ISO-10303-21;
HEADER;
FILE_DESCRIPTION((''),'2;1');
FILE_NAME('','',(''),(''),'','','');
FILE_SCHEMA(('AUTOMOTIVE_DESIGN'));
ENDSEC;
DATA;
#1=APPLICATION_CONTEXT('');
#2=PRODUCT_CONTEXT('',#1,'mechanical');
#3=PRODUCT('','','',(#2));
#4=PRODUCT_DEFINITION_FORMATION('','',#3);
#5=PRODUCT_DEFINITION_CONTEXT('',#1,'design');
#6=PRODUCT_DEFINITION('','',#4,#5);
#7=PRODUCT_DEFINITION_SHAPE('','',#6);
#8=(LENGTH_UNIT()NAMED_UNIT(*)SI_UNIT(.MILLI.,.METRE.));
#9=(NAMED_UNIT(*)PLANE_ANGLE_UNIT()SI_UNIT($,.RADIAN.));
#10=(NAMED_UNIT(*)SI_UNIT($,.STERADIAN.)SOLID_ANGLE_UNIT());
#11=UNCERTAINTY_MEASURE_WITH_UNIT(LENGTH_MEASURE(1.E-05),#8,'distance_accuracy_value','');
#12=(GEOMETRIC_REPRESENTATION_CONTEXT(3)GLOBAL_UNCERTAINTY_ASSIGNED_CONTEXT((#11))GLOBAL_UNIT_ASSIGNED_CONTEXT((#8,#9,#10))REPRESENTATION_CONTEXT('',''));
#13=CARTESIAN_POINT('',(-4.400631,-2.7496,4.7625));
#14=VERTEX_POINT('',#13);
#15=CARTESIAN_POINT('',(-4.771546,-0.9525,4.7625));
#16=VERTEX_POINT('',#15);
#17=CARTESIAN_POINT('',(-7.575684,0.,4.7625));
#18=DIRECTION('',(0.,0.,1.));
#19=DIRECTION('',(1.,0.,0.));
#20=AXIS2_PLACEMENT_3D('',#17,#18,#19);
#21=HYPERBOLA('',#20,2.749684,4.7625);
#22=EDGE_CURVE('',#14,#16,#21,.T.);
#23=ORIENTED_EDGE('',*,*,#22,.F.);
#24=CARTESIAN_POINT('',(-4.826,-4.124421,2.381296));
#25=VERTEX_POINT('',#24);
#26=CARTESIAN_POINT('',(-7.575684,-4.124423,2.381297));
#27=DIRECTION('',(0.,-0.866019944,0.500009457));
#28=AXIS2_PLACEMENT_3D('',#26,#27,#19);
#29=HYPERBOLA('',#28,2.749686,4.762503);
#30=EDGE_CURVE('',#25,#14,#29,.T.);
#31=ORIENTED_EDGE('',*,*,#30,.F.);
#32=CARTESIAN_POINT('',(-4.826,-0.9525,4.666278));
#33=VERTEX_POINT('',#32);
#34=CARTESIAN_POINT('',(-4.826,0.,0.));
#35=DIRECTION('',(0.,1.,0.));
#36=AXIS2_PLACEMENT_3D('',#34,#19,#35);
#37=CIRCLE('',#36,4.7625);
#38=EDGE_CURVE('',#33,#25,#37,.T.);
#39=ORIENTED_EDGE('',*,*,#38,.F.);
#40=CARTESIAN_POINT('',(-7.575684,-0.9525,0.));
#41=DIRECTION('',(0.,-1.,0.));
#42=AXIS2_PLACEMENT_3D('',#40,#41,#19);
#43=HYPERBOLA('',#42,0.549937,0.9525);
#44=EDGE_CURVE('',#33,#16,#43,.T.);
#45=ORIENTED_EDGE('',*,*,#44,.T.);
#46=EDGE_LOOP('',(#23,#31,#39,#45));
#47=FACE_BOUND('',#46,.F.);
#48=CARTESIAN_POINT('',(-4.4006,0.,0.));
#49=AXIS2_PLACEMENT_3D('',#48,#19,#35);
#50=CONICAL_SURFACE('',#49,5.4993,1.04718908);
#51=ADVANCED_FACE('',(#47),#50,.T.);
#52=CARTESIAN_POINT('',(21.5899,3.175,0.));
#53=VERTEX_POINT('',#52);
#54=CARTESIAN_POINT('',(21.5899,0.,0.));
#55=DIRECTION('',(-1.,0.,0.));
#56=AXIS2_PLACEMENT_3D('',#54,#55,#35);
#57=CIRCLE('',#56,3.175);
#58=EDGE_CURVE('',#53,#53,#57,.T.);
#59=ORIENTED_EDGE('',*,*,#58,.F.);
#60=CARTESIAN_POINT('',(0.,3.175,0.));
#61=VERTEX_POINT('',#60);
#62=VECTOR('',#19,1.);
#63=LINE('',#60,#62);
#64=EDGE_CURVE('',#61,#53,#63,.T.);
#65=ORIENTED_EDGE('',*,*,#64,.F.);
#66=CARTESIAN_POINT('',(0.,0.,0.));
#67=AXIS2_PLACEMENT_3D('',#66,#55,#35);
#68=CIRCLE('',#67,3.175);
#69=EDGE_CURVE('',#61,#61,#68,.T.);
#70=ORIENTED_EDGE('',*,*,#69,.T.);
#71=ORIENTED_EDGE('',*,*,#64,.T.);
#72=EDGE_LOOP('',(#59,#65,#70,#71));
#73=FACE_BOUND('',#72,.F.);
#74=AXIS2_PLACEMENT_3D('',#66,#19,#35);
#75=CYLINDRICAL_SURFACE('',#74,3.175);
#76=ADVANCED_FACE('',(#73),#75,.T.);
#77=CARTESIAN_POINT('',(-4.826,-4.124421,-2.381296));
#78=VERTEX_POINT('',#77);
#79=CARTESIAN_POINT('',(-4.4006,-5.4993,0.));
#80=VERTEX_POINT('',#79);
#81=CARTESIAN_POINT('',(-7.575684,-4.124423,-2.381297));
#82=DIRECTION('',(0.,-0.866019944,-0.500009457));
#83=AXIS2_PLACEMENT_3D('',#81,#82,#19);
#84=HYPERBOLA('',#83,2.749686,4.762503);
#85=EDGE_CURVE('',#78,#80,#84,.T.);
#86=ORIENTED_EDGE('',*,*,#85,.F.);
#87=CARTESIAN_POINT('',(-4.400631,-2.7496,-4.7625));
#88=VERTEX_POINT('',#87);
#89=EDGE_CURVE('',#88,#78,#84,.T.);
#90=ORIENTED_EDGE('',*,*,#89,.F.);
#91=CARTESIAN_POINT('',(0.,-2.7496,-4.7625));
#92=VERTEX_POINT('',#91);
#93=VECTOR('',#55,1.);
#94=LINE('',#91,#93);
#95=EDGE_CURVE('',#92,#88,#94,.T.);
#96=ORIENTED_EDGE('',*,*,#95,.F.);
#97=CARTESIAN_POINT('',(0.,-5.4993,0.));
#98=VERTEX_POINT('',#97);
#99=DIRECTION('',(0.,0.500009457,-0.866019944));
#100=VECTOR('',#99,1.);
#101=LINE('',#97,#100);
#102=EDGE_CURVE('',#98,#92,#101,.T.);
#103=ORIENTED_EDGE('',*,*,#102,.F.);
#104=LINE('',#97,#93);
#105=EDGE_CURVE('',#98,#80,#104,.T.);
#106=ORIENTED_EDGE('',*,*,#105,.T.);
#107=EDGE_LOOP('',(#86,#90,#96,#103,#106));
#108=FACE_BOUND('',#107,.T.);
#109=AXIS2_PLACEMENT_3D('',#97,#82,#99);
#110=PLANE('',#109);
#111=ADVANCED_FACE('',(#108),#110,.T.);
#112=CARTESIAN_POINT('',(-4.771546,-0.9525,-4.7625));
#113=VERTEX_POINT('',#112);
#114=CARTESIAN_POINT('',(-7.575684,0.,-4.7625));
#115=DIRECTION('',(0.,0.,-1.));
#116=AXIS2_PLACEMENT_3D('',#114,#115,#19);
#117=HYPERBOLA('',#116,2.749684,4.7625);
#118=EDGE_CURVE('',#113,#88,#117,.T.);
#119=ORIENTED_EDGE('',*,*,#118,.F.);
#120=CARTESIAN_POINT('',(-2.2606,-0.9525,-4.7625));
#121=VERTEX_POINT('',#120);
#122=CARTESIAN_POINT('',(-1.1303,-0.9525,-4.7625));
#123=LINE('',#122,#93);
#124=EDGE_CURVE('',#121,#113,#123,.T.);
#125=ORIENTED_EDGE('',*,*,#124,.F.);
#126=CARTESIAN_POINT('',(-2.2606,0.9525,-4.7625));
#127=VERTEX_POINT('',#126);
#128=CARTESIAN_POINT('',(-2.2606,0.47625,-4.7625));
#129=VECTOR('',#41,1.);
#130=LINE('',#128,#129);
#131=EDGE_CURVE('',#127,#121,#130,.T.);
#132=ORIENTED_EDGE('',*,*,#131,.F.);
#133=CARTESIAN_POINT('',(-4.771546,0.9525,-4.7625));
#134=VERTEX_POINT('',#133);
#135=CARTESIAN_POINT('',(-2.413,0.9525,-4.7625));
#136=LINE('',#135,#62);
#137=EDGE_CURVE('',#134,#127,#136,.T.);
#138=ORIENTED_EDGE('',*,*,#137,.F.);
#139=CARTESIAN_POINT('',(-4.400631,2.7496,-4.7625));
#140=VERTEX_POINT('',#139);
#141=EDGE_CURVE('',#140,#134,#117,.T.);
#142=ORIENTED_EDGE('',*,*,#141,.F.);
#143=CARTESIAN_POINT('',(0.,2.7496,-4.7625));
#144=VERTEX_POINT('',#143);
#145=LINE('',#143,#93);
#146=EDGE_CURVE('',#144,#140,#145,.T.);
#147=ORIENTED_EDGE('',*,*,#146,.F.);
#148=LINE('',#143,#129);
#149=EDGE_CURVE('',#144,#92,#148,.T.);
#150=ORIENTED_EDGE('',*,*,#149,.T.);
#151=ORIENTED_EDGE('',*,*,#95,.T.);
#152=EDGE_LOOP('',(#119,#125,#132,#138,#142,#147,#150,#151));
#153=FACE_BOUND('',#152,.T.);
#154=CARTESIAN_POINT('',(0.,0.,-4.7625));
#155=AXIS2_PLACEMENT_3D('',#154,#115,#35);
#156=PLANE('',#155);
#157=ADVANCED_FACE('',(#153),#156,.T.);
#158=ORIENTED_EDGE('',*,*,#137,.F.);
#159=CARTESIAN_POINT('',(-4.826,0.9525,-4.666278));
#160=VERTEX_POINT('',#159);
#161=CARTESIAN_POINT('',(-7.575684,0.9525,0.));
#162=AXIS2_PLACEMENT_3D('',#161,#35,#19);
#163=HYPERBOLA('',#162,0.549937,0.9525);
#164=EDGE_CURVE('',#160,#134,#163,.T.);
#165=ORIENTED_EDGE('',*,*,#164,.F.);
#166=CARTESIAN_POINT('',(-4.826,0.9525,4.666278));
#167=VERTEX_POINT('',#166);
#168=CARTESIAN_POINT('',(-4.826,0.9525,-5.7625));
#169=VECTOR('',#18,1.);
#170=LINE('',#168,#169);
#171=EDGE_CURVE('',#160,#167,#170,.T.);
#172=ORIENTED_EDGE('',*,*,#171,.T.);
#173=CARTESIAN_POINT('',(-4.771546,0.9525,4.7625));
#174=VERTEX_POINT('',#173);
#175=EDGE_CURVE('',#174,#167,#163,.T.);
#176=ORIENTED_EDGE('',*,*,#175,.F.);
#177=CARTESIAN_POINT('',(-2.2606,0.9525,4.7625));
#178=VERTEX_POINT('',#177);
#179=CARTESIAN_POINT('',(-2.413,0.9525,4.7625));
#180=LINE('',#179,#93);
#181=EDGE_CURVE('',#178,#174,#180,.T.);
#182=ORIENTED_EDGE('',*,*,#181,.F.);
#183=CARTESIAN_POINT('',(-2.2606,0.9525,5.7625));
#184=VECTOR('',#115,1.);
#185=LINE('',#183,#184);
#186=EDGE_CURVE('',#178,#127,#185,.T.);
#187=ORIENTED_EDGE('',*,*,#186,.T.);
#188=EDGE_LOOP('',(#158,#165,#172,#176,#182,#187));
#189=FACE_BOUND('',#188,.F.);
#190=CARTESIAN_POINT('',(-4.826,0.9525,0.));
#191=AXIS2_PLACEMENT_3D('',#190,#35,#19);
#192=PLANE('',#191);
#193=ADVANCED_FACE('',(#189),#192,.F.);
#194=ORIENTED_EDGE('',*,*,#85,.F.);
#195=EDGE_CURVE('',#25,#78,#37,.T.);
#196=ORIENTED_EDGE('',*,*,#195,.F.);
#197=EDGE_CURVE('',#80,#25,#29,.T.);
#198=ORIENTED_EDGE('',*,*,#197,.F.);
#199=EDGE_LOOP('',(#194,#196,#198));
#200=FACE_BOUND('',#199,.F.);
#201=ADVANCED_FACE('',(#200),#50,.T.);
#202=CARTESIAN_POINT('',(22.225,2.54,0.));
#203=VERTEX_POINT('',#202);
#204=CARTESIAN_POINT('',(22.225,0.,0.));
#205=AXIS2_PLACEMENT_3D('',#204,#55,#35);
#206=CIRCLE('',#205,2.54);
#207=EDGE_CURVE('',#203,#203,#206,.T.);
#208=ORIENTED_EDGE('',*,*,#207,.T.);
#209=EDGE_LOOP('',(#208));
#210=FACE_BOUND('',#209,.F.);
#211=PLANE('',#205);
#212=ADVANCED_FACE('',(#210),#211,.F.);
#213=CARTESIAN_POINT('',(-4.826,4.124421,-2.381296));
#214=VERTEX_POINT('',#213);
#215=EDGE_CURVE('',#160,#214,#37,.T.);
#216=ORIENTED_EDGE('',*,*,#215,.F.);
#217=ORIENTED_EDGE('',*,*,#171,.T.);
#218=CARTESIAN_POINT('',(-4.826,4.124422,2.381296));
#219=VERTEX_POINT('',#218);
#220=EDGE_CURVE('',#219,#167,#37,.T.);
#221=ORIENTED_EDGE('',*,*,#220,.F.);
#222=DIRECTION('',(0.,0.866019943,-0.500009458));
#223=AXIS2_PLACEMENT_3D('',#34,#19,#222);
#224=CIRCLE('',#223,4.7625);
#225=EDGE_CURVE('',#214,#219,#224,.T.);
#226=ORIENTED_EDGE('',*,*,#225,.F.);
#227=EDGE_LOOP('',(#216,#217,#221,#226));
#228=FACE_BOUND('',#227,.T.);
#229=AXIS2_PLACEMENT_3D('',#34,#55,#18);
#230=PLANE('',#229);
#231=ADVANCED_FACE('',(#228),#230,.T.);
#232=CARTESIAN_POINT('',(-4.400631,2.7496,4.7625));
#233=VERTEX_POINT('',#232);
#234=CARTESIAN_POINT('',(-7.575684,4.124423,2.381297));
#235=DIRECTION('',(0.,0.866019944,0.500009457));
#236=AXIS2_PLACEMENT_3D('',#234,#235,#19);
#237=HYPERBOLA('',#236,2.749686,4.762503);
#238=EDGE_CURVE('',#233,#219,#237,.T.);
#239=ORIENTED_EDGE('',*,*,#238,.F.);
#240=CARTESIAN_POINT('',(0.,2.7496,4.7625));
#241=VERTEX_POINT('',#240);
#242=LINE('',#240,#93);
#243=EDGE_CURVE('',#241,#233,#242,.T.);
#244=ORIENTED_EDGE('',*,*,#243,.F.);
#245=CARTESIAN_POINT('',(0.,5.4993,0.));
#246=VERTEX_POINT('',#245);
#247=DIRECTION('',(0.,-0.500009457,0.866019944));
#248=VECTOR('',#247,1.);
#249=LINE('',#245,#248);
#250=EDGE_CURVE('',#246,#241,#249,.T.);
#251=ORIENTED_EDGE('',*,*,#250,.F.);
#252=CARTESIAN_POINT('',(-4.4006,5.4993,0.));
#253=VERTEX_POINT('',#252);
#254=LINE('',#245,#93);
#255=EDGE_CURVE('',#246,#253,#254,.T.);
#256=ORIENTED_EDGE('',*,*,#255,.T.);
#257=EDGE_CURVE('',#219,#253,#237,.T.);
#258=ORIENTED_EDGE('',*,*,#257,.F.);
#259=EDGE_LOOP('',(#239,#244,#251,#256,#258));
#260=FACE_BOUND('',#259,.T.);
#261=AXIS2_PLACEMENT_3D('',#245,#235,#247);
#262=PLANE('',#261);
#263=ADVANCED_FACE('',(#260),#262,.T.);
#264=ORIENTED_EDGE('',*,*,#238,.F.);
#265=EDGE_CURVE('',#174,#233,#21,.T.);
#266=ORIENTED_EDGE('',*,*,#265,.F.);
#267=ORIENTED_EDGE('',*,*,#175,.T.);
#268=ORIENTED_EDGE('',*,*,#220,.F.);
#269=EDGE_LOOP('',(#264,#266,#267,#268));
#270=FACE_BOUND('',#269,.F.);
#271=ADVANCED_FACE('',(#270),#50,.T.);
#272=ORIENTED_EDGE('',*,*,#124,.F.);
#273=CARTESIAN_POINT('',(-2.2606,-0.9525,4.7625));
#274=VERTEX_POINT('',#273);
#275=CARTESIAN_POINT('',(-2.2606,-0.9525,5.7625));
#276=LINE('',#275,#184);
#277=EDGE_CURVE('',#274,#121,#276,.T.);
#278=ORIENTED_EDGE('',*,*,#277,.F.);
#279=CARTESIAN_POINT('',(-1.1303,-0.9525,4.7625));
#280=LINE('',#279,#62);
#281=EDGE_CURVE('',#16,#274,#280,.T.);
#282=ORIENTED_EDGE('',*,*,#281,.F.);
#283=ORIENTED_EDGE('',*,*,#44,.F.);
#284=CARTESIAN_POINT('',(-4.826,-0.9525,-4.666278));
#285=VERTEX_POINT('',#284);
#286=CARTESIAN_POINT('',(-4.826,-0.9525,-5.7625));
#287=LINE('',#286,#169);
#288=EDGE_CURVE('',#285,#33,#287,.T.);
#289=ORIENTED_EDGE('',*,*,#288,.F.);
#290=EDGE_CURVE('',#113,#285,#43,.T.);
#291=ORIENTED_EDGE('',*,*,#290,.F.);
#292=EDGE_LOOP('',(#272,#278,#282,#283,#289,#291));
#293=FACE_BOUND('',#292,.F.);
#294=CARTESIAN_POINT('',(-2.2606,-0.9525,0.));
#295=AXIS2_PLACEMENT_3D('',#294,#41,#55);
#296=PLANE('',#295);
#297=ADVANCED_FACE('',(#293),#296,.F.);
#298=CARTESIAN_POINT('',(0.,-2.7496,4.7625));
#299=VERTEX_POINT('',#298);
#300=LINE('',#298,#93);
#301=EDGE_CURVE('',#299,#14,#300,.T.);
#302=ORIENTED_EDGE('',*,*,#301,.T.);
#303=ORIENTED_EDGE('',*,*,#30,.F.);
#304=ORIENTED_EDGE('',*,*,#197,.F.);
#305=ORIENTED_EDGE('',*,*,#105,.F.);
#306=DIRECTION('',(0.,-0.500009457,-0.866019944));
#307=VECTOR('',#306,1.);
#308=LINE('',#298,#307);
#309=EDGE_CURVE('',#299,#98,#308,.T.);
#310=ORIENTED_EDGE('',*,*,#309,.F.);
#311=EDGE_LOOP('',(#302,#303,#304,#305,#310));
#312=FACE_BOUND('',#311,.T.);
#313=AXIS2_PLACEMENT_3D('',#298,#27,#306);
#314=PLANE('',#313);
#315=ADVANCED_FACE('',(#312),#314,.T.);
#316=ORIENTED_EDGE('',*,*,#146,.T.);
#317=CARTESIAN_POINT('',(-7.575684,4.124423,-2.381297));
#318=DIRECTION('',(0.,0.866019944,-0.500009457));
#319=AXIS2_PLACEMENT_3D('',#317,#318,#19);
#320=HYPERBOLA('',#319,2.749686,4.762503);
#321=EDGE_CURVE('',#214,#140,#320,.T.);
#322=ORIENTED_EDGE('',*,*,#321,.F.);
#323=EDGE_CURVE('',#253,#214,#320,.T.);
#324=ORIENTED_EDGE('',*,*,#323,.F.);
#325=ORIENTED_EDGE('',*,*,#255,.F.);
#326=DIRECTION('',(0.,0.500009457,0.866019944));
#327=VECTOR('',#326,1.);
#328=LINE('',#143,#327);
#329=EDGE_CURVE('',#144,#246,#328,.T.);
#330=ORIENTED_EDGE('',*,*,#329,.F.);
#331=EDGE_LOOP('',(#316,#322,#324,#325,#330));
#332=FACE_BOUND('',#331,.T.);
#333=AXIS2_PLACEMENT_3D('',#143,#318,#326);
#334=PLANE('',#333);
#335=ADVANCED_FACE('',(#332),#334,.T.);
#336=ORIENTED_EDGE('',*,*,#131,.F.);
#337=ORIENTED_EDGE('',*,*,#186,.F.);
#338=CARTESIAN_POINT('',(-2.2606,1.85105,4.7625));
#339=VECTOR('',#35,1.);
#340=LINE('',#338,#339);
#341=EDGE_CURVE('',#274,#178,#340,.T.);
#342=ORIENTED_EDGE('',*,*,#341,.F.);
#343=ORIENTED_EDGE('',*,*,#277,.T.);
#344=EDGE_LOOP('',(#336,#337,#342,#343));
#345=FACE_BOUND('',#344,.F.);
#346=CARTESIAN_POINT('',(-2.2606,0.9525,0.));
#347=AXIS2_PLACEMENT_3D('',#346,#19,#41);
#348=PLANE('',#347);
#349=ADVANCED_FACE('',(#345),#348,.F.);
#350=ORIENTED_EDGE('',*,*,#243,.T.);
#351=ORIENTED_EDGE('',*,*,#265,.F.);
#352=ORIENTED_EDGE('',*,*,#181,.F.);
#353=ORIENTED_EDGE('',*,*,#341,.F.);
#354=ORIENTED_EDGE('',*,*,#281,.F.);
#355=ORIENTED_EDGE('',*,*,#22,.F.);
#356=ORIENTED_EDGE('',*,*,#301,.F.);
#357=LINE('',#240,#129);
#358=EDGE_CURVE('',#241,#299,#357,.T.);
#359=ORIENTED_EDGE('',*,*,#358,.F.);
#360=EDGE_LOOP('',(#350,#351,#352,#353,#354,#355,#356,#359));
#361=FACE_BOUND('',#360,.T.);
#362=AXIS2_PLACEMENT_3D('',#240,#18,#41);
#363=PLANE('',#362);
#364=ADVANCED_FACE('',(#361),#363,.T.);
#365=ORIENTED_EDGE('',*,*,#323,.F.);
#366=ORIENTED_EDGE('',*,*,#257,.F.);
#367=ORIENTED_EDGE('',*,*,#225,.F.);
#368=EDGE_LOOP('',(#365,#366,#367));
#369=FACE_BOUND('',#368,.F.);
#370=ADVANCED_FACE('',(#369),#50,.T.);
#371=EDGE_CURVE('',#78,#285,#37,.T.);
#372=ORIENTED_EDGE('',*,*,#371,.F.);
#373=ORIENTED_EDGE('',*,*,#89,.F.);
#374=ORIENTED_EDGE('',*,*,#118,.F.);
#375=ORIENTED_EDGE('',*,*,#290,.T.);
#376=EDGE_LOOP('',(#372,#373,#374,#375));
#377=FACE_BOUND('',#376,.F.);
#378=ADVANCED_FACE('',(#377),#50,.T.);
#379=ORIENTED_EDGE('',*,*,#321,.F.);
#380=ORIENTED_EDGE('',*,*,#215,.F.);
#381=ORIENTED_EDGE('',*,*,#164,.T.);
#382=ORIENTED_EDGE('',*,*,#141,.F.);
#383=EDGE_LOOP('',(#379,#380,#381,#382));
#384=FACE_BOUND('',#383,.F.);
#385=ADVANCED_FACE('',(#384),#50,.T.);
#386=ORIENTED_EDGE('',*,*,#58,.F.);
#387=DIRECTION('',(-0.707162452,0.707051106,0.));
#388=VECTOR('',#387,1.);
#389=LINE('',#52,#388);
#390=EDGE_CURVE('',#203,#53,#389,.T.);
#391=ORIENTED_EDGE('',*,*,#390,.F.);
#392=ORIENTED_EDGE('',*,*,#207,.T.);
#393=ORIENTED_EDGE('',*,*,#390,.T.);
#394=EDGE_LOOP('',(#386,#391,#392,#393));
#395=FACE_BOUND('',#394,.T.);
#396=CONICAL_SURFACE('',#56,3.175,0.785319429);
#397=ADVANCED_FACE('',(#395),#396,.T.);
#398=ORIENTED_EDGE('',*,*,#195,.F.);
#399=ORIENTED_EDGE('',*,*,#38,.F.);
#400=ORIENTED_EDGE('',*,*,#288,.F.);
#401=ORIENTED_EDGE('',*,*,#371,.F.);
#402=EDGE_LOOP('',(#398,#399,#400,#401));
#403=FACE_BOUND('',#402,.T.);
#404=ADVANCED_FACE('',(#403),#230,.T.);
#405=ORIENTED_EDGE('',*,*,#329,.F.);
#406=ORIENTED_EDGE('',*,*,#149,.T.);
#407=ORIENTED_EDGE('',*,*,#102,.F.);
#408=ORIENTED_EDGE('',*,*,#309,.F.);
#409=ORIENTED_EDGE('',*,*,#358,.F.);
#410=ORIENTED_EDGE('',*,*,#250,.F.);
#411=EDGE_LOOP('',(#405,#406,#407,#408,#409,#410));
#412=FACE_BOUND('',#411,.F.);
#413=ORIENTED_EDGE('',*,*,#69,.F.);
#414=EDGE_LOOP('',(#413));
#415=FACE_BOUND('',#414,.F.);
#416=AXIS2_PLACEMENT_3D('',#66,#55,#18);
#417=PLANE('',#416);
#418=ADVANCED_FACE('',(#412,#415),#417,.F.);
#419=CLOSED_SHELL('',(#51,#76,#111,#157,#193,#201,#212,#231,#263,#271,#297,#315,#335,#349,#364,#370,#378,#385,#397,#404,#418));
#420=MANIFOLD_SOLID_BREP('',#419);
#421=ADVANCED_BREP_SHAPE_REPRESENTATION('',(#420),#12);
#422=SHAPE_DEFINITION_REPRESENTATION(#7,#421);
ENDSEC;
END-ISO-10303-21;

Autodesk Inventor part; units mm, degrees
ref_plane "YZ Plane" through (0, 0, 0) normal (1, 0, 0) x (0, 1, 0)
ref_plane "XZ Plane" through (0, 0, 0) normal (0, 1, 0) x (-1, 0, 0)
sketch "Sketch1" plane through (0, 0, 0) normal (0, 0, 1) x (1, 0, 0)
  line L0 (0, 3.175) -> (22.225, 3.175)
  line L1 (22.225, 3.175) -> (22.225, 0)
  line L2 (22.225, 0) -> (0, 0)
  line L3 (-4.445, 0) -> (26.67, 0) projected
  line L4 (0, -0.635) -> (0, 3.81) projected
  line L5 (0, 3.175) -> (0, 0)
  dimension "d1" = 6.35
  dimension "d52" = 22.225
revolve "Body" add sketch "Sketch1" angle 360 about axis through (22.225, 0, 0) along (-1, 0, 0)
sketch "Sketch2" plane through (0, 0, 0) normal (-1, 0, 0) x (0, 0, 1)
  line L0 (0, 5.4993) -> (4.7625, 2.7496)
  line L1 (4.7625, 2.7496) -> (4.7625, -2.7496)
  line L2 (4.7625, -2.7496) -> (0, -5.4993)
  line L3 (0, -5.4993) -> (-4.7625, -2.7496)
  line L4 (-4.7625, -2.7496) -> (-4.7625, 2.7496)
  line L5 (-4.7625, 2.7496) -> (0, 5.4993)
  line L6 (-6.6675, 0) -> (6.6675, 0) projected
  line L7 (0, 7.699) -> (0, -7.699) projected
  point P0 (0, 0)
  point P1 (0, 0)
  dimension "d10" = 9.525
extrude "Head" add sketch "Sketch2" along normal blind 4.826
sketch "Sketch3" plane through (0, 0, 0) normal (0, 0, 1) x (1, 0, 0)
  line L0 (-4.826, 0.9525) -> (-2.2606, 0.9525)
  line L1 (-2.2606, 0.9525) -> (-2.2606, -0.9525)
  line L2 (-2.2606, -0.9525) -> (-4.826, -0.9525)
  line L3 (-4.826, -0.9525) -> (-4.826, 0.9525)
  line L4 (-2.2606, 0) -> (-4.826, 0) construction
  line L5 (-5.3391, 0) -> (-1.7475, 0) projected
  line L6 (-4.826, 2.7496) -> (-4.826, -2.7496) projected
  dimension "d11" = 1.905
  dimension "d13" = 2.5654
extrude "Slot" cut sketch "Sketch3" along normal through all both and the other way through all
sketch "Sketch4" plane through (0, 0, 0) normal (0, 0, 1) x (1, 0, 0)
  line L0 (-4.826, 4.7625) -> (-4.826, 5.4993)
  line L1 (-4.826, 5.4993) -> (-4.4006, 5.4993)
  line L2 (-4.4006, 5.4993) -> (-4.826, 4.7625)
  line L3 (-4.4006, 5.4993) -> (-4.826, 5.4993)
  line L4 (-4.826, 5.4993) -> (-4.826, 4.7625)
  line L5 (-4.826, 5.4993) -> (-4.826, 2.7496) projected
  line L6 (-5.7912, 0) -> (0.9652, 0) projected
  line L7 (0, 5.4993) -> (-4.826, 5.4993) projected
  dimension "d4" = 30
  dimension "d17" = 9.525
revolve "Chamfer1" cut sketch "Sketch4" angle 360 about axis through (-10, 0, 0) along (1, 0, 0)
thread "Thread" size "1/4-20 UNC" class "2A" standard "ANSI Unified Screw Threads" length 19.05
chamfer "Chamfer2" distance 0.635 distance2 0.6351 1 edges at (22.225, -3.175, 0) measured on face at (22.225, -0.1276, -1.0506)
ref_plane "Work Plane1" through (60, 0, 0) normal (0, 0, 1) x (1, 0, 0)
equation "\"d1\" = GD"
equation "\"d52\" = NLG"
equation "\"d10\" = SW"
equation "\"d2\" = KOH - SD"
equation "\"d11\" = SBR"
equation "\"d13\" = STI"
equation "\"d4\" = ANG1"
equation "\"d17\" = SW0"
equation "\"d15\" = GEL"
equation "\"d5\" = -0.5 * SPD + 0.5 * GD"
equation "\"NLG\" = 22.225"
equation "\"GD\" = NND"
equation "\"KOH\" = 4.826"
equation "\"GEL\" = 19.05"
equation "\"SW\" = 9.525"
equation "\"SW0\" = 9.525"
equation "\"SPD\" = GD1"
equation "\"SD2\" = NND"
equation "\"SD\" = 0"
equation "\"ANG1\" = 30deg"
equation "\"GUL\" = -0.5 * GD1 + 0.5 * NND"
equation "\"STI\" = 2.5654"
equation "\"SBR\" = 1.905"
equation "\"RR\" = 0.57912"
equation "\"THREADDIA\" = 6.35"
equation "\"TOA\" = 30deg"
equation "\"BDM\" = NND"
equation "\"FAWI\" = 45deg"
equation "\"NND\" = 6.35"
equation "\"E0\" = 1.155 * SW"
equation "\"GAL\" = 0.635"
equation "\"GD1\" = 5.08"
properties part number "ANSI B18.6.3 - 1/4-20x0.875, SHHMSI" material "Steel, Mild"
